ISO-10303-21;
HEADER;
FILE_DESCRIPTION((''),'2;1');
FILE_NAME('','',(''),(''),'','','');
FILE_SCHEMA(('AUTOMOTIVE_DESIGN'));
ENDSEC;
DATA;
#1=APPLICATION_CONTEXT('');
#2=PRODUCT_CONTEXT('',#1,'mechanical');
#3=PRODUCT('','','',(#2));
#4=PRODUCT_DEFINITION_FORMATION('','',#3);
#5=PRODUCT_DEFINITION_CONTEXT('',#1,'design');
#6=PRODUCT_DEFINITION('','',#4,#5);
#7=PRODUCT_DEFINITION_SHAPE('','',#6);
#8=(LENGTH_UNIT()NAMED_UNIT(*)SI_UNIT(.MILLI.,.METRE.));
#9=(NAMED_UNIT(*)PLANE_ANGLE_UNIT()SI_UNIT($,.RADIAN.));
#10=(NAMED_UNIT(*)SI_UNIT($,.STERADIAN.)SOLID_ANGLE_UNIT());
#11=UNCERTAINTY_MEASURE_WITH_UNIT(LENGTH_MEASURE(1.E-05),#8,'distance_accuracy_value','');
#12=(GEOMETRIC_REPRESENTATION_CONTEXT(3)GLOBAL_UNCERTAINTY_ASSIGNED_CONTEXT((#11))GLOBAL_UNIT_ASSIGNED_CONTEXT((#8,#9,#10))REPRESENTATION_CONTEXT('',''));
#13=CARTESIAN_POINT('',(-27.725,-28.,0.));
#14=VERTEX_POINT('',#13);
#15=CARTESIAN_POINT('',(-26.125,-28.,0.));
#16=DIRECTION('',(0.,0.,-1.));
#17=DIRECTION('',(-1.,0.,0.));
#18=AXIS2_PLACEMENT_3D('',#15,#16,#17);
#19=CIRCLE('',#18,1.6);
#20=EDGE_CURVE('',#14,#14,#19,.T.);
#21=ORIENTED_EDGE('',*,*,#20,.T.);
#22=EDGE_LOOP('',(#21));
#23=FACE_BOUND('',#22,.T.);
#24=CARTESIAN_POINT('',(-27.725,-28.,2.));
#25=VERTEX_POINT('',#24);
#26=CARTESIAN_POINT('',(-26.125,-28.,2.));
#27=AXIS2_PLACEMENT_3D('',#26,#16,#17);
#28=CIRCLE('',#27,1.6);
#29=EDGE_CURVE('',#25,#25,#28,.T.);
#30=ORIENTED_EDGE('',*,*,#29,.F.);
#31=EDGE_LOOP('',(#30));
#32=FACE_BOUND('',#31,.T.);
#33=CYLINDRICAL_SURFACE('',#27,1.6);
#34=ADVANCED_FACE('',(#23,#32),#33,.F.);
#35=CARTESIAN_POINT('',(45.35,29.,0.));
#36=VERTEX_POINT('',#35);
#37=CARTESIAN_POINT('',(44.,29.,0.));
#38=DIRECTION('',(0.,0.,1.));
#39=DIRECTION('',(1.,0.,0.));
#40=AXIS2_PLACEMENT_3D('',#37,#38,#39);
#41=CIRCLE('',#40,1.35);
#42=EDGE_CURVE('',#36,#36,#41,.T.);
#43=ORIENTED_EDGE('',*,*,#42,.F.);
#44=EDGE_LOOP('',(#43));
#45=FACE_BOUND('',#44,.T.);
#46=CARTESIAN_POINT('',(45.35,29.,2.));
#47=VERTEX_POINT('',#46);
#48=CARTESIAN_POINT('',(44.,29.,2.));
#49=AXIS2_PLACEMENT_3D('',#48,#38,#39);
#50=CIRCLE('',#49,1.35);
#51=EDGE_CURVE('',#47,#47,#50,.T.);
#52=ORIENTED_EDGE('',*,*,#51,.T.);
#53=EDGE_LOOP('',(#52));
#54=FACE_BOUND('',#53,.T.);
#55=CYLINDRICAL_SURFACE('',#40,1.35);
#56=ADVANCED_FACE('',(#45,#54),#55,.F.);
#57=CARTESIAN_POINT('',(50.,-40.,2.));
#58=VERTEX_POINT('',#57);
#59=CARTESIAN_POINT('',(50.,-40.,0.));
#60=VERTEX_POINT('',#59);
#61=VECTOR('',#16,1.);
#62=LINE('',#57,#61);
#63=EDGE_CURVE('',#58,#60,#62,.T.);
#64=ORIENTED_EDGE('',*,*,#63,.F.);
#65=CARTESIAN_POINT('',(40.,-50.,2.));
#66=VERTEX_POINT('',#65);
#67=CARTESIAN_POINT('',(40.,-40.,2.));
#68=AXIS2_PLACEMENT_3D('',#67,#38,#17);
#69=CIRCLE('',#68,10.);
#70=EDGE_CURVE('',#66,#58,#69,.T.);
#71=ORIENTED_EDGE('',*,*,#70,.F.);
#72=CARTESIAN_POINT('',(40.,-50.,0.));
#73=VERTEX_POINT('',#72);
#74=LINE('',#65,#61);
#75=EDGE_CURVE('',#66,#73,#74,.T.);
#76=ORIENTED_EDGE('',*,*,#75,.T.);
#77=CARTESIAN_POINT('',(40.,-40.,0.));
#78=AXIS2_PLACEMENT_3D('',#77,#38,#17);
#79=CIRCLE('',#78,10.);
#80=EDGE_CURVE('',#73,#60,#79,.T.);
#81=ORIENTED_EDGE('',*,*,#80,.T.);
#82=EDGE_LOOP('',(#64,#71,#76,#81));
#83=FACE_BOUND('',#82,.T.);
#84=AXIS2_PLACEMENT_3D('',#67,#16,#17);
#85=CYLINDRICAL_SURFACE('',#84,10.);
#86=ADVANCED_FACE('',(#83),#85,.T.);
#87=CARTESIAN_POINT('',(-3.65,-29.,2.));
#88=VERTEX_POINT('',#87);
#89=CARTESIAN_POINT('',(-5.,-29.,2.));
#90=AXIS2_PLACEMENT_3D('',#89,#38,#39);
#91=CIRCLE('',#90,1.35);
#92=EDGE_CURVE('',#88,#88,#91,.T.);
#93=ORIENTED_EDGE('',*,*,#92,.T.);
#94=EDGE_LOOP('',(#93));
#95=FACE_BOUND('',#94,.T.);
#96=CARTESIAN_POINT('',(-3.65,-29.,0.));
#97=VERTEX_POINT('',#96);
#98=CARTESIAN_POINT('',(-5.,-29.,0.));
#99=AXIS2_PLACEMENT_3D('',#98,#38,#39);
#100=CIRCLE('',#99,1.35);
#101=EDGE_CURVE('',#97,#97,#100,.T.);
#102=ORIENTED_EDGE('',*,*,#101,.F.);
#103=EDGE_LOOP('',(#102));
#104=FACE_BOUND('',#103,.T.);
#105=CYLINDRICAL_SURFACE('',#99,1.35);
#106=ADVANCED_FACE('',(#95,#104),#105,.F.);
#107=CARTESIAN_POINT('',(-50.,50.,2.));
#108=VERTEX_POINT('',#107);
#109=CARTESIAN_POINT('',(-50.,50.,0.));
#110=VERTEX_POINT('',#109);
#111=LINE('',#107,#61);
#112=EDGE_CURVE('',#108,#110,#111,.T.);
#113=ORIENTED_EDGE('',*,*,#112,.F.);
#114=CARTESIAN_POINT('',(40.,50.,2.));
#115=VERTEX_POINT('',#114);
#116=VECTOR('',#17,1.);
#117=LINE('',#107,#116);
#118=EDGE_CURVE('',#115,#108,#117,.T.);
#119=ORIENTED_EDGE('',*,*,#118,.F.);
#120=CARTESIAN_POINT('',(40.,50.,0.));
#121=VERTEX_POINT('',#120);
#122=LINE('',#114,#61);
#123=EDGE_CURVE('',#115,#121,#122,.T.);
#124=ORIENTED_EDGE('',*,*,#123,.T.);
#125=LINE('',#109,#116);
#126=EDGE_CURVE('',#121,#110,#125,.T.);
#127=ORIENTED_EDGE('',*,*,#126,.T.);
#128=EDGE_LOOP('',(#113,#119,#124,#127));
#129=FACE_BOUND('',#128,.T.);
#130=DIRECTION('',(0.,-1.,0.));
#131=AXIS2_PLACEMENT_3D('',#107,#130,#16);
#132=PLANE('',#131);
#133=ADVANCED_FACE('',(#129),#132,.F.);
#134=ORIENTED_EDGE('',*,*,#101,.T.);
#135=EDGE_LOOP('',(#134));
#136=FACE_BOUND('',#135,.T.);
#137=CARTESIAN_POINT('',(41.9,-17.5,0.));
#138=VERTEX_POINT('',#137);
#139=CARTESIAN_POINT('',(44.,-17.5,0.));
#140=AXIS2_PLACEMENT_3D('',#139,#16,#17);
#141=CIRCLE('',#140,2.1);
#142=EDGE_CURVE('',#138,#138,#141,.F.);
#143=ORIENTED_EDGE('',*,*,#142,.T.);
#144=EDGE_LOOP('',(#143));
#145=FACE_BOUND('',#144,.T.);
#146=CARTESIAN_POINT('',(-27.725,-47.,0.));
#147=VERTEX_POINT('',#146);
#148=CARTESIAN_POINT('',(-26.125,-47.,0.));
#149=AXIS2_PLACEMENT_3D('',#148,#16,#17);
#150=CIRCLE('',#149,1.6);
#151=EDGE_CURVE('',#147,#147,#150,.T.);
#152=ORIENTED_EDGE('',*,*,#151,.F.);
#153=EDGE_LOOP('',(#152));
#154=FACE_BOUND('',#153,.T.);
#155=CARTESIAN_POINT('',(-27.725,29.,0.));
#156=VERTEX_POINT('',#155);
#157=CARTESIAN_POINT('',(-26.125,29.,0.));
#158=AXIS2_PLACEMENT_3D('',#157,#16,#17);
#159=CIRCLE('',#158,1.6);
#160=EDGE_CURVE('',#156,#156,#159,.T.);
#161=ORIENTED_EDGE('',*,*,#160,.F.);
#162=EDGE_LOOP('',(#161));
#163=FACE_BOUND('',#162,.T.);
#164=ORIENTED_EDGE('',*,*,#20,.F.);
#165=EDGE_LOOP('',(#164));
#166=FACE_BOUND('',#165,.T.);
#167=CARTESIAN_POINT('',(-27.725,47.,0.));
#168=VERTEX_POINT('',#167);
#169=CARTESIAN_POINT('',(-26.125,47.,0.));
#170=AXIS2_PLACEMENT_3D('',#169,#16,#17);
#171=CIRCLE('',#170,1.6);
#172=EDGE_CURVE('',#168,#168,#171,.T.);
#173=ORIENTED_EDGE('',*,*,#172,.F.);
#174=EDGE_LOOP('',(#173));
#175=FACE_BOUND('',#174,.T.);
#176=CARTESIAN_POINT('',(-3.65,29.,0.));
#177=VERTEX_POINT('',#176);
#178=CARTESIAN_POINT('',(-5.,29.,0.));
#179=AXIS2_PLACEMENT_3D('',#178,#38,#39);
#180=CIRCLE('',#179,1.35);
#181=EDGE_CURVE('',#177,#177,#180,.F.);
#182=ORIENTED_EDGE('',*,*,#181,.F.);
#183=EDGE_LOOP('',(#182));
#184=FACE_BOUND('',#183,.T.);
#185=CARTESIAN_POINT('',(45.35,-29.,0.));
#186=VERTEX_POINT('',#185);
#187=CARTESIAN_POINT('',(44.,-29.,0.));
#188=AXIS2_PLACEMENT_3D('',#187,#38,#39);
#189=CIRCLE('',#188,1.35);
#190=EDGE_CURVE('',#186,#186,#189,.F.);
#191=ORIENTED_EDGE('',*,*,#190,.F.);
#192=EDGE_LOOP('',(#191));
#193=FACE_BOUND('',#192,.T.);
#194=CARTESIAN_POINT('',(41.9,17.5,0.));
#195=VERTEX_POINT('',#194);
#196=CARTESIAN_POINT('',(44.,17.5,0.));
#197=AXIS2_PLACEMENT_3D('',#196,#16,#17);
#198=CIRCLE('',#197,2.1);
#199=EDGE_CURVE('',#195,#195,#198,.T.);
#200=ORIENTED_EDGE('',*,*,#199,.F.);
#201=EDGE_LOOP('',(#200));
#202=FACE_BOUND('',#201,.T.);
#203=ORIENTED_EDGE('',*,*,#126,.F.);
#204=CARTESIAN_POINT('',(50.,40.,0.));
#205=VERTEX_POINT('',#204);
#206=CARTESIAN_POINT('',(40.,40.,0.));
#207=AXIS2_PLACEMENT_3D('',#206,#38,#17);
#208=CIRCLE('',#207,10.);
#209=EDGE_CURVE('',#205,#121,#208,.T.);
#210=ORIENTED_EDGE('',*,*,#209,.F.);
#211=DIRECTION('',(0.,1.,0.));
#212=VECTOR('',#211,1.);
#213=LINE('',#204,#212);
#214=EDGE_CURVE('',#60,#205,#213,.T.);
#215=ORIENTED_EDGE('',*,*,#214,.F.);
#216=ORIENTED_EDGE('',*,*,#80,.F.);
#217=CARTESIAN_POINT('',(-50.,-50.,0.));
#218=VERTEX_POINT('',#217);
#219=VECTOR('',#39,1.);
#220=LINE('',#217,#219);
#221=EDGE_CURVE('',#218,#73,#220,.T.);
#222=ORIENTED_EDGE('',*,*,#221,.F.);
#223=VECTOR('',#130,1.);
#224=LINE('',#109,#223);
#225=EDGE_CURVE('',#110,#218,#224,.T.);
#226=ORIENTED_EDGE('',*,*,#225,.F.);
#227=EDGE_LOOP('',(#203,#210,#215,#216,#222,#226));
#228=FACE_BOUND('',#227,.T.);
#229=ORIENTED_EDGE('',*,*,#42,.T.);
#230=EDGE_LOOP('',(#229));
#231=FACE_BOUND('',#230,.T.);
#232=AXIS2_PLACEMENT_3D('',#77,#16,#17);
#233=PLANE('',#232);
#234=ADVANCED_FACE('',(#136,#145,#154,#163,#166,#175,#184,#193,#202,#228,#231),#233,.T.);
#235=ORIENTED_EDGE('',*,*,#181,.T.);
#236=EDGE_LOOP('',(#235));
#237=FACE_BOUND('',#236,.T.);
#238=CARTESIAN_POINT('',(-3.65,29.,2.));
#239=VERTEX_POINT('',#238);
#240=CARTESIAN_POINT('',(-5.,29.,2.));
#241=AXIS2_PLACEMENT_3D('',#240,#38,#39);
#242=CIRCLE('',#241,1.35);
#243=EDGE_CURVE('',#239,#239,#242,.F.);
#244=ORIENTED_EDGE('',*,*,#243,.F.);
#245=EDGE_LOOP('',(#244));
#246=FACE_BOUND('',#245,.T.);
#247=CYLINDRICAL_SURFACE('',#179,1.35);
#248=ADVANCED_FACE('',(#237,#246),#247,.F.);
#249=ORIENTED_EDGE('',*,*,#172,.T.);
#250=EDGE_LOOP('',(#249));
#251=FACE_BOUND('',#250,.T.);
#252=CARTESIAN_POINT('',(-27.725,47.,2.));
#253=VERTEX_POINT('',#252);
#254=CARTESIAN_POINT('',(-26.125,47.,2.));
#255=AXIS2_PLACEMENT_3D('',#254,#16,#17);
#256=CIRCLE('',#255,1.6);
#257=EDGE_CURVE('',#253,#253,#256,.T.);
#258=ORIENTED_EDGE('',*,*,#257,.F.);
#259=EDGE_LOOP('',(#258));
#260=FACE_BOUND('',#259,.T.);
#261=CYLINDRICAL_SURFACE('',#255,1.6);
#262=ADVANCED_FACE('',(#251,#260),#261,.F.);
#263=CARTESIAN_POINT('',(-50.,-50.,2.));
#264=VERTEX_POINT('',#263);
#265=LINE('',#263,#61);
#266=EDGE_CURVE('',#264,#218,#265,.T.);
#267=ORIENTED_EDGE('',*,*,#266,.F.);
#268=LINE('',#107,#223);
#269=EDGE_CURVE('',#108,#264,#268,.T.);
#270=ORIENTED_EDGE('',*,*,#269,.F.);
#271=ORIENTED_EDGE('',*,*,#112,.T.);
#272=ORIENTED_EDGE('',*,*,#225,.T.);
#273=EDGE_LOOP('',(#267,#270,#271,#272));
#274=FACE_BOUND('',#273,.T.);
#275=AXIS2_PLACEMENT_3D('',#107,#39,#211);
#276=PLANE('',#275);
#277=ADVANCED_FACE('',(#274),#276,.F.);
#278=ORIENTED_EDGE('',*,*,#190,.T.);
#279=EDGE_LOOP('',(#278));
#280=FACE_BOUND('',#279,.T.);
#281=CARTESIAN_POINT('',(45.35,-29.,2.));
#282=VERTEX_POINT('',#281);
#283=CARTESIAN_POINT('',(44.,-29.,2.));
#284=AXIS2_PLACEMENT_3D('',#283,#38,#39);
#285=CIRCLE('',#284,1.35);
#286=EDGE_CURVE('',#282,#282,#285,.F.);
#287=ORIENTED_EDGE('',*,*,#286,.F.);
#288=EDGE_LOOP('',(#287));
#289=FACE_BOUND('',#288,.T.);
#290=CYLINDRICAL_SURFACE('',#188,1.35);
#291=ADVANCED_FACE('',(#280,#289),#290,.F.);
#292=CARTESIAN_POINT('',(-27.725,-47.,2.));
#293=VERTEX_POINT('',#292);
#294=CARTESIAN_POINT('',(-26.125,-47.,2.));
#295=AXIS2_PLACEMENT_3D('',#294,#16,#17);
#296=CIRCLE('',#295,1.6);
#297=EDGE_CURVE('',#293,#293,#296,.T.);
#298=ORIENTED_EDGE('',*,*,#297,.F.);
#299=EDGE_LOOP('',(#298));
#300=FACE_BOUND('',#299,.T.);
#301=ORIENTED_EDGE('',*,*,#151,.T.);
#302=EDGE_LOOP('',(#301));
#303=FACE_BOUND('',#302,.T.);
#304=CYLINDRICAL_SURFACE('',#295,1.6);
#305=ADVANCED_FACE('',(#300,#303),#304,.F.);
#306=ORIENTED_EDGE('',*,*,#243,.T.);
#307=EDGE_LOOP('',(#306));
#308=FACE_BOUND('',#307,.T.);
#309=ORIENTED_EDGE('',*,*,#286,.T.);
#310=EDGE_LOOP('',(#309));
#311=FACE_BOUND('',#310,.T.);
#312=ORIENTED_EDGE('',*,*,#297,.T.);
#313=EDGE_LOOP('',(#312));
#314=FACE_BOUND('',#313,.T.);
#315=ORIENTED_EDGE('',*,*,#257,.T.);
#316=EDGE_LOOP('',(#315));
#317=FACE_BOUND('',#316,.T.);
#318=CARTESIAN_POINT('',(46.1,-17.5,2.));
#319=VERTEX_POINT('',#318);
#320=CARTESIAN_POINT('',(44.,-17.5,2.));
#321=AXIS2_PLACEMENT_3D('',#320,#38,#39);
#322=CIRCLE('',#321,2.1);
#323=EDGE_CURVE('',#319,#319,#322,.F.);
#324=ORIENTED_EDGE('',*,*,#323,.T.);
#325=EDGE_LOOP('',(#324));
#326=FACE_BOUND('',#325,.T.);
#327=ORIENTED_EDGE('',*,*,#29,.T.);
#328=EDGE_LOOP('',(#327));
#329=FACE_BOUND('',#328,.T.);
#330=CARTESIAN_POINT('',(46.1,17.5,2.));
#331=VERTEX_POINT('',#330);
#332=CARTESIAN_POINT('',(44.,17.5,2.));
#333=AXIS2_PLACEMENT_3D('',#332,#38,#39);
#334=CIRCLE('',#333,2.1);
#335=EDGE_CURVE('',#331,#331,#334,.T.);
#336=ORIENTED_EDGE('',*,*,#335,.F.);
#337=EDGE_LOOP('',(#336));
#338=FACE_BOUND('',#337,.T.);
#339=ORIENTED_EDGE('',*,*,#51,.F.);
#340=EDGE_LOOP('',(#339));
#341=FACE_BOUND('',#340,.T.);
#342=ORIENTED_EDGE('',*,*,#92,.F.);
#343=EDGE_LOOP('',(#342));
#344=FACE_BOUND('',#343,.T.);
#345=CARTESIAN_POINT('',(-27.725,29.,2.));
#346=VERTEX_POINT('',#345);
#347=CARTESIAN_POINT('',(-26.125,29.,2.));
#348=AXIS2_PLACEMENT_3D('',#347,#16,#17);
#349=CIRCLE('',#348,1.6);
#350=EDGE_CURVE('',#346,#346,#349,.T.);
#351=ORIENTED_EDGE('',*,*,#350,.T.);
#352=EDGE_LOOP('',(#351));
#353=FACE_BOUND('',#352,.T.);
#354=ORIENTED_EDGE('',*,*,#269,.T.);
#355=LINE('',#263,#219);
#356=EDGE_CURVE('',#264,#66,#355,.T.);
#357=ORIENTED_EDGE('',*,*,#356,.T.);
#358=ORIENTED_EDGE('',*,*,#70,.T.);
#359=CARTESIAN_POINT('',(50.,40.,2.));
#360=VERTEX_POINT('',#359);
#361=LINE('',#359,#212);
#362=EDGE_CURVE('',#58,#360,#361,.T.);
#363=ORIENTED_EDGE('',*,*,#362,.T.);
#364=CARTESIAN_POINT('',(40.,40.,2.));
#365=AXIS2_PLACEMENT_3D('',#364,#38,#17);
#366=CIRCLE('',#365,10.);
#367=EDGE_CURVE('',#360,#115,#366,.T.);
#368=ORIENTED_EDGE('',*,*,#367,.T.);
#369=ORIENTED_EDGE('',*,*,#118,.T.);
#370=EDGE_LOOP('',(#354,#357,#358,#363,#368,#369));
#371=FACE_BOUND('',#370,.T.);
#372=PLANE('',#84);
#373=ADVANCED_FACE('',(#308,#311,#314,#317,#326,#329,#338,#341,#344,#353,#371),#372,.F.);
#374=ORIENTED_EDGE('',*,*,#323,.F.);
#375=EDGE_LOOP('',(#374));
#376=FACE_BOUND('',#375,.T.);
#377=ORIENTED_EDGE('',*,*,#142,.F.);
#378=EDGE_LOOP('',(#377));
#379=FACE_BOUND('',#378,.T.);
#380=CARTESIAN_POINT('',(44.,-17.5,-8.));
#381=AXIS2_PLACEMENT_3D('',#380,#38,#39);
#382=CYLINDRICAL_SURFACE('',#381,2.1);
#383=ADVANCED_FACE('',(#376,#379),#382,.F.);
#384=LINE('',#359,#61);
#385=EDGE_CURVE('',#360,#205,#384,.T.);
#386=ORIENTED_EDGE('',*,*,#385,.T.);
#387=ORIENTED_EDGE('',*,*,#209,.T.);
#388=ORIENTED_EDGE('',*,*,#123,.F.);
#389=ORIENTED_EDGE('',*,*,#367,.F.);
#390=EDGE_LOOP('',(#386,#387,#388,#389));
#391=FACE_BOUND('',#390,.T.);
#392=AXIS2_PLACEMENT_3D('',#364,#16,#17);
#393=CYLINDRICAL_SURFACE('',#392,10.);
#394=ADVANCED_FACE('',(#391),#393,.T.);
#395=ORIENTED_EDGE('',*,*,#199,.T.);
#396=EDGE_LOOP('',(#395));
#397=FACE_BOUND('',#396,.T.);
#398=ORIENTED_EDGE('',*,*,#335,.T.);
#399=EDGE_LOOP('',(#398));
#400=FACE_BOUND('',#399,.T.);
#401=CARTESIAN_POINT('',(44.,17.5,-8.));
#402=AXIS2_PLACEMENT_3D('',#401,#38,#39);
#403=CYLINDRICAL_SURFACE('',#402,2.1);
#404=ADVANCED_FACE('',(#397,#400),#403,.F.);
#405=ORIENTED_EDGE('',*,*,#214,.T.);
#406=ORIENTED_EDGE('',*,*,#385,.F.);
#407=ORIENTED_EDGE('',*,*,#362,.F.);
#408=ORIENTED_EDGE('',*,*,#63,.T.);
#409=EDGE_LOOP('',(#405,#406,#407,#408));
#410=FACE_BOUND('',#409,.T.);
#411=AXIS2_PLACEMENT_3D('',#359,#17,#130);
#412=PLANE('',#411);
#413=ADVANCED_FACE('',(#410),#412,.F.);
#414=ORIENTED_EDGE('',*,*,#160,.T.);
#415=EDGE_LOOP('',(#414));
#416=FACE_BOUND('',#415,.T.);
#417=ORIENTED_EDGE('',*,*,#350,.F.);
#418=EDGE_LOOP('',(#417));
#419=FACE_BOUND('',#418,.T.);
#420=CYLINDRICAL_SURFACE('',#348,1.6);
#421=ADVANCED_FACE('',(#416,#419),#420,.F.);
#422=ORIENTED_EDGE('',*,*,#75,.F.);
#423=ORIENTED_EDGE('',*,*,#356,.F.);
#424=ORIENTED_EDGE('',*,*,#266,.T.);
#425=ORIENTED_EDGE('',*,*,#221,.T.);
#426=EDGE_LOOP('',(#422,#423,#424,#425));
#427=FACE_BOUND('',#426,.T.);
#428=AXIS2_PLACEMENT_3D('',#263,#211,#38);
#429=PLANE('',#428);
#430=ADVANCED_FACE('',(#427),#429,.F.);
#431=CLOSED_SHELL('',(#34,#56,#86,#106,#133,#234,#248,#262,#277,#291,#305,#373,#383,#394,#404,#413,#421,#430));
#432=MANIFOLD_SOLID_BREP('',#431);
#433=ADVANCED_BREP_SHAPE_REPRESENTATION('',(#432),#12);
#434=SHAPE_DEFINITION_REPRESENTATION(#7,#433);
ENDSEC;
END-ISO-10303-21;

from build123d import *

# Parameters (mm, degrees)
EXTRUDE_1_DEPTH     = 2
SKETCH_3_R          = 1.35
CUT_EXTRUDE_1_DEPTH = 3
SKETCH_7_R          = 2.1
CUT_EXTRUDE_5_DEPTH = 10
SKETCH_8_R          = 1.6
CUT_EXTRUDE_6_DEPTH = 3


with BuildPart() as part:
    # 草图1 → 凸台-拉伸1 (new body)
    with BuildSketch(Plane.XY):
        with BuildLine():
            Line((-50, 50), (40, 50))
            ThreePointArc((40, 50), (47.071067812, 47.071067812), (50, 40))
            Line((50, 40), (50, -40))
            ThreePointArc((50, -40), (47.071067812, -47.071067812), (40, -50))
            Line((40, -50), (-50, -50))
            Line((-50, -50), (-50, 50))
        make_face()
    extrude(amount=EXTRUDE_1_DEPTH)

    # 草图3 → 切除-拉伸1 (cut, through all)
    with BuildSketch(Plane.XY.offset(2)):
        with Locations((-5, -29)):
            Circle(SKETCH_3_R)
        with Locations((-5, 29)):
            Circle(SKETCH_3_R)
        with Locations((44, 29)):
            Circle(SKETCH_3_R)
        with Locations((44, -29)):
            Circle(SKETCH_3_R)
    extrude(amount=-CUT_EXTRUDE_1_DEPTH, mode=Mode.SUBTRACT)

    # 草图7 → 切除-拉伸5 (cut)
    with BuildSketch(Plane.XY.offset(2)):
        with Locations((44, 17.5)):
            Circle(SKETCH_7_R)
        with Locations((44, -17.5)):
            Circle(SKETCH_7_R)
    extrude(amount=-CUT_EXTRUDE_5_DEPTH, mode=Mode.SUBTRACT)

    # 草图8 → 切除-拉伸6 (cut, through all)
    with BuildSketch(Plane(origin=(0, 0, 0), x_dir=(-1, 0, 0), z_dir=(0, 0, -1))):
        with Locations((26.125, -47)):
            Circle(SKETCH_8_R)
        with Locations((26.125, -28)):
            Circle(SKETCH_8_R)
        with Locations((26.125, 29)):
            Circle(SKETCH_8_R)
        with Locations((26.125, 47)):
            Circle(SKETCH_8_R)
    extrude(amount=-CUT_EXTRUDE_6_DEPTH, mode=Mode.SUBTRACT)


solid = part.part
